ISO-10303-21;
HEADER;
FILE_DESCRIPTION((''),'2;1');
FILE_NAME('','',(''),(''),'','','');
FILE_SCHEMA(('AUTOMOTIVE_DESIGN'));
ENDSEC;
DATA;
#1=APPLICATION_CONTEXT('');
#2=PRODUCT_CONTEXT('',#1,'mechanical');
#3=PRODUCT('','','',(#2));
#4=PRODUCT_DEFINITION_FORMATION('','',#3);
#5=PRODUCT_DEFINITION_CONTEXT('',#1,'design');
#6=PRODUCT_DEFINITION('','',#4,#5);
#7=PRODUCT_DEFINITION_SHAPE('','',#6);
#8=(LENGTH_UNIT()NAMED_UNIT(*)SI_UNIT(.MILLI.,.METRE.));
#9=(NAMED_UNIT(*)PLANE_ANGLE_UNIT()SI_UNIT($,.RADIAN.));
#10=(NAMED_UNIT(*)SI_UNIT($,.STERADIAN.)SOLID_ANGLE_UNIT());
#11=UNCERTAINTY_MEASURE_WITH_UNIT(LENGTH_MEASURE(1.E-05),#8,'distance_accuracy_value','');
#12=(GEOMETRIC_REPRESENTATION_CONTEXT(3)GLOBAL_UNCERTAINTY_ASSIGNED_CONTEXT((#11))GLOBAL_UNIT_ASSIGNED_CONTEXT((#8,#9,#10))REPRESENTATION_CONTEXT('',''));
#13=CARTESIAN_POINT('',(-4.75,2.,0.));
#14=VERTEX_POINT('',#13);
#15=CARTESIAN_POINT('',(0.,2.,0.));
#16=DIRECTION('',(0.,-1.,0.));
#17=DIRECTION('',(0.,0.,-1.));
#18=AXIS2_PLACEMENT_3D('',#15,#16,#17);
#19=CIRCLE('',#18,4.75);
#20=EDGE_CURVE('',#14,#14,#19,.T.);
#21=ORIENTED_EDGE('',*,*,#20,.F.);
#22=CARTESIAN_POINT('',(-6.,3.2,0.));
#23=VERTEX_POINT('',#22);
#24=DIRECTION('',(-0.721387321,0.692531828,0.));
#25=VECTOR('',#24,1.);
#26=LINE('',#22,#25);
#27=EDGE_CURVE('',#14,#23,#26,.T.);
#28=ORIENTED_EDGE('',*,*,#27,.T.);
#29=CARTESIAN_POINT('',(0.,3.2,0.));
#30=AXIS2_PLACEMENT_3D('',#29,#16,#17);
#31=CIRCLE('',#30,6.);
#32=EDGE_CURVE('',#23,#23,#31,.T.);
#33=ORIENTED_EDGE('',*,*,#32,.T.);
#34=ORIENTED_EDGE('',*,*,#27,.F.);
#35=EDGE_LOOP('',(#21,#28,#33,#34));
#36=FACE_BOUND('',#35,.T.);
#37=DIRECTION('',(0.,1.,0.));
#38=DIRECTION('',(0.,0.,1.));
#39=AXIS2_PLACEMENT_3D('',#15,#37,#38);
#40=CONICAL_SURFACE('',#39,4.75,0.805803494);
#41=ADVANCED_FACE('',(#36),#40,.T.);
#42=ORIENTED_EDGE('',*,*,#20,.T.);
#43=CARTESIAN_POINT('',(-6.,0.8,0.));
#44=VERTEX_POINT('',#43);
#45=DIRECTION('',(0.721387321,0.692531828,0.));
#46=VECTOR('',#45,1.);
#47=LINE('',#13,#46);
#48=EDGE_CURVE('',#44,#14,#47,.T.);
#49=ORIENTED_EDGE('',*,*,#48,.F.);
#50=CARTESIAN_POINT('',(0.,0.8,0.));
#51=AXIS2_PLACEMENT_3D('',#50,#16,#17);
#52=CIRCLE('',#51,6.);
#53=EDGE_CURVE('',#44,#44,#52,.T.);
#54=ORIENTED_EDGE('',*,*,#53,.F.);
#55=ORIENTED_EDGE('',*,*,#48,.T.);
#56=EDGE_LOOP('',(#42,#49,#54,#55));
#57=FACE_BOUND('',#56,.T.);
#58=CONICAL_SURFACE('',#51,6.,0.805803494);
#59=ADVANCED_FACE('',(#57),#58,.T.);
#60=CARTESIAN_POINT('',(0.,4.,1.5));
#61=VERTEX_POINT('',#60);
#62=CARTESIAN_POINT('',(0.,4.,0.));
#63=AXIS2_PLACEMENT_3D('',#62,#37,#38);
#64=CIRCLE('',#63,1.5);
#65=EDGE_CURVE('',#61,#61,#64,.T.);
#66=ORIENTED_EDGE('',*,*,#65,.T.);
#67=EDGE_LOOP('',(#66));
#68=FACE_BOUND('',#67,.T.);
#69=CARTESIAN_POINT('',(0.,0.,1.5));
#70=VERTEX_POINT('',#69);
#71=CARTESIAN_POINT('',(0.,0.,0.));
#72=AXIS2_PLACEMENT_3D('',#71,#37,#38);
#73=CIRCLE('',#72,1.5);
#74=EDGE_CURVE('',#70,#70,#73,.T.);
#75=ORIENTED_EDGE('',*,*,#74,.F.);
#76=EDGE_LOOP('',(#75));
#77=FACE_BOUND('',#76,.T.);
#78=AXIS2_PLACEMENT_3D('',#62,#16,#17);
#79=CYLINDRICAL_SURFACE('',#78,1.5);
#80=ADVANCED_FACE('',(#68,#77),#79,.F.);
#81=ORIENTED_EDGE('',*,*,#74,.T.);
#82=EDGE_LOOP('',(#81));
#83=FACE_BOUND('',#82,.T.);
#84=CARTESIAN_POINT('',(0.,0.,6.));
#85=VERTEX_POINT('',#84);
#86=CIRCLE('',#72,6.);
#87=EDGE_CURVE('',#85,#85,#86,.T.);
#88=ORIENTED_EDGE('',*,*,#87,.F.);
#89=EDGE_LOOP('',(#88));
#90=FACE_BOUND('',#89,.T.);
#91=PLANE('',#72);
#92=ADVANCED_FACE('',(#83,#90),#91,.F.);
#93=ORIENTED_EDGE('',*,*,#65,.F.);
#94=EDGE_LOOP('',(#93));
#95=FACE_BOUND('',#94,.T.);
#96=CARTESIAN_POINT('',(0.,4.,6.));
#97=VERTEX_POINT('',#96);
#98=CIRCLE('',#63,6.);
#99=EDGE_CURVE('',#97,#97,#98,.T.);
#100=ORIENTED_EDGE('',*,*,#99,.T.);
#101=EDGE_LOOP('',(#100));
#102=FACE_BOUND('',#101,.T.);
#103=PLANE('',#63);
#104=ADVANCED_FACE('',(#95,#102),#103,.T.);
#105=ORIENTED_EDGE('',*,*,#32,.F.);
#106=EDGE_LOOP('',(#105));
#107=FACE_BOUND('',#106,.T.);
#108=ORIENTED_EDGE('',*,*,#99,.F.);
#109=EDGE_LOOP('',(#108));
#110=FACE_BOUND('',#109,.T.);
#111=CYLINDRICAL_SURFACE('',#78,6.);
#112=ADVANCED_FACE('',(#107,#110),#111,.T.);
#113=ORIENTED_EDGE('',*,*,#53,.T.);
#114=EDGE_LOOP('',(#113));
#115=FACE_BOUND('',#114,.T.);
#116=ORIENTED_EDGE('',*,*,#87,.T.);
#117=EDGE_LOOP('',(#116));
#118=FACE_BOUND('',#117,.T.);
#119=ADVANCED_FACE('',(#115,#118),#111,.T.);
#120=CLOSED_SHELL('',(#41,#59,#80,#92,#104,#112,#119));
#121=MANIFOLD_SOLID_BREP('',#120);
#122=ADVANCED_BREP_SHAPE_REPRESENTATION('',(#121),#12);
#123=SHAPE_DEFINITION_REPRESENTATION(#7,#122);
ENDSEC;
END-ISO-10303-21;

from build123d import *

# Parameters (mm, degrees)
SKETCH1_R           = 6
SKETCH1_R_2         = 1.5
BOSS_EXTRUDE1_DEPTH = 4


with BuildPart() as part:
    # Sketch1 → Boss-Extrude1 (new body)
    with BuildSketch(Plane(origin=(0, 0, 0), x_dir=(1, 0, 0), z_dir=(0, 1, 0))):
        Circle(SKETCH1_R)
        Circle(SKETCH1_R_2, mode=Mode.SUBTRACT)
    extrude(amount=BOSS_EXTRUDE1_DEPTH)

    # Cut-Sweep3: sweep along a path in Sketch3
    with BuildLine(Plane(origin=(0, 2, 0), x_dir=(1, 0, 0), z_dir=(0, 1, 0))) as cut_sweep3_path:
        CenterArc((0, 0), 6, 0, 360)
    # Sketch2 → Cut-Sweep3 (sweep, cut)
    with BuildSketch(Plane.XY):
        Polygon((-6, 3.2), (-6, 0.8), (-4.75, 2), align=None)
    sweep(path=cut_sweep3_path.line, mode=Mode.SUBTRACT)


solid = part.part
